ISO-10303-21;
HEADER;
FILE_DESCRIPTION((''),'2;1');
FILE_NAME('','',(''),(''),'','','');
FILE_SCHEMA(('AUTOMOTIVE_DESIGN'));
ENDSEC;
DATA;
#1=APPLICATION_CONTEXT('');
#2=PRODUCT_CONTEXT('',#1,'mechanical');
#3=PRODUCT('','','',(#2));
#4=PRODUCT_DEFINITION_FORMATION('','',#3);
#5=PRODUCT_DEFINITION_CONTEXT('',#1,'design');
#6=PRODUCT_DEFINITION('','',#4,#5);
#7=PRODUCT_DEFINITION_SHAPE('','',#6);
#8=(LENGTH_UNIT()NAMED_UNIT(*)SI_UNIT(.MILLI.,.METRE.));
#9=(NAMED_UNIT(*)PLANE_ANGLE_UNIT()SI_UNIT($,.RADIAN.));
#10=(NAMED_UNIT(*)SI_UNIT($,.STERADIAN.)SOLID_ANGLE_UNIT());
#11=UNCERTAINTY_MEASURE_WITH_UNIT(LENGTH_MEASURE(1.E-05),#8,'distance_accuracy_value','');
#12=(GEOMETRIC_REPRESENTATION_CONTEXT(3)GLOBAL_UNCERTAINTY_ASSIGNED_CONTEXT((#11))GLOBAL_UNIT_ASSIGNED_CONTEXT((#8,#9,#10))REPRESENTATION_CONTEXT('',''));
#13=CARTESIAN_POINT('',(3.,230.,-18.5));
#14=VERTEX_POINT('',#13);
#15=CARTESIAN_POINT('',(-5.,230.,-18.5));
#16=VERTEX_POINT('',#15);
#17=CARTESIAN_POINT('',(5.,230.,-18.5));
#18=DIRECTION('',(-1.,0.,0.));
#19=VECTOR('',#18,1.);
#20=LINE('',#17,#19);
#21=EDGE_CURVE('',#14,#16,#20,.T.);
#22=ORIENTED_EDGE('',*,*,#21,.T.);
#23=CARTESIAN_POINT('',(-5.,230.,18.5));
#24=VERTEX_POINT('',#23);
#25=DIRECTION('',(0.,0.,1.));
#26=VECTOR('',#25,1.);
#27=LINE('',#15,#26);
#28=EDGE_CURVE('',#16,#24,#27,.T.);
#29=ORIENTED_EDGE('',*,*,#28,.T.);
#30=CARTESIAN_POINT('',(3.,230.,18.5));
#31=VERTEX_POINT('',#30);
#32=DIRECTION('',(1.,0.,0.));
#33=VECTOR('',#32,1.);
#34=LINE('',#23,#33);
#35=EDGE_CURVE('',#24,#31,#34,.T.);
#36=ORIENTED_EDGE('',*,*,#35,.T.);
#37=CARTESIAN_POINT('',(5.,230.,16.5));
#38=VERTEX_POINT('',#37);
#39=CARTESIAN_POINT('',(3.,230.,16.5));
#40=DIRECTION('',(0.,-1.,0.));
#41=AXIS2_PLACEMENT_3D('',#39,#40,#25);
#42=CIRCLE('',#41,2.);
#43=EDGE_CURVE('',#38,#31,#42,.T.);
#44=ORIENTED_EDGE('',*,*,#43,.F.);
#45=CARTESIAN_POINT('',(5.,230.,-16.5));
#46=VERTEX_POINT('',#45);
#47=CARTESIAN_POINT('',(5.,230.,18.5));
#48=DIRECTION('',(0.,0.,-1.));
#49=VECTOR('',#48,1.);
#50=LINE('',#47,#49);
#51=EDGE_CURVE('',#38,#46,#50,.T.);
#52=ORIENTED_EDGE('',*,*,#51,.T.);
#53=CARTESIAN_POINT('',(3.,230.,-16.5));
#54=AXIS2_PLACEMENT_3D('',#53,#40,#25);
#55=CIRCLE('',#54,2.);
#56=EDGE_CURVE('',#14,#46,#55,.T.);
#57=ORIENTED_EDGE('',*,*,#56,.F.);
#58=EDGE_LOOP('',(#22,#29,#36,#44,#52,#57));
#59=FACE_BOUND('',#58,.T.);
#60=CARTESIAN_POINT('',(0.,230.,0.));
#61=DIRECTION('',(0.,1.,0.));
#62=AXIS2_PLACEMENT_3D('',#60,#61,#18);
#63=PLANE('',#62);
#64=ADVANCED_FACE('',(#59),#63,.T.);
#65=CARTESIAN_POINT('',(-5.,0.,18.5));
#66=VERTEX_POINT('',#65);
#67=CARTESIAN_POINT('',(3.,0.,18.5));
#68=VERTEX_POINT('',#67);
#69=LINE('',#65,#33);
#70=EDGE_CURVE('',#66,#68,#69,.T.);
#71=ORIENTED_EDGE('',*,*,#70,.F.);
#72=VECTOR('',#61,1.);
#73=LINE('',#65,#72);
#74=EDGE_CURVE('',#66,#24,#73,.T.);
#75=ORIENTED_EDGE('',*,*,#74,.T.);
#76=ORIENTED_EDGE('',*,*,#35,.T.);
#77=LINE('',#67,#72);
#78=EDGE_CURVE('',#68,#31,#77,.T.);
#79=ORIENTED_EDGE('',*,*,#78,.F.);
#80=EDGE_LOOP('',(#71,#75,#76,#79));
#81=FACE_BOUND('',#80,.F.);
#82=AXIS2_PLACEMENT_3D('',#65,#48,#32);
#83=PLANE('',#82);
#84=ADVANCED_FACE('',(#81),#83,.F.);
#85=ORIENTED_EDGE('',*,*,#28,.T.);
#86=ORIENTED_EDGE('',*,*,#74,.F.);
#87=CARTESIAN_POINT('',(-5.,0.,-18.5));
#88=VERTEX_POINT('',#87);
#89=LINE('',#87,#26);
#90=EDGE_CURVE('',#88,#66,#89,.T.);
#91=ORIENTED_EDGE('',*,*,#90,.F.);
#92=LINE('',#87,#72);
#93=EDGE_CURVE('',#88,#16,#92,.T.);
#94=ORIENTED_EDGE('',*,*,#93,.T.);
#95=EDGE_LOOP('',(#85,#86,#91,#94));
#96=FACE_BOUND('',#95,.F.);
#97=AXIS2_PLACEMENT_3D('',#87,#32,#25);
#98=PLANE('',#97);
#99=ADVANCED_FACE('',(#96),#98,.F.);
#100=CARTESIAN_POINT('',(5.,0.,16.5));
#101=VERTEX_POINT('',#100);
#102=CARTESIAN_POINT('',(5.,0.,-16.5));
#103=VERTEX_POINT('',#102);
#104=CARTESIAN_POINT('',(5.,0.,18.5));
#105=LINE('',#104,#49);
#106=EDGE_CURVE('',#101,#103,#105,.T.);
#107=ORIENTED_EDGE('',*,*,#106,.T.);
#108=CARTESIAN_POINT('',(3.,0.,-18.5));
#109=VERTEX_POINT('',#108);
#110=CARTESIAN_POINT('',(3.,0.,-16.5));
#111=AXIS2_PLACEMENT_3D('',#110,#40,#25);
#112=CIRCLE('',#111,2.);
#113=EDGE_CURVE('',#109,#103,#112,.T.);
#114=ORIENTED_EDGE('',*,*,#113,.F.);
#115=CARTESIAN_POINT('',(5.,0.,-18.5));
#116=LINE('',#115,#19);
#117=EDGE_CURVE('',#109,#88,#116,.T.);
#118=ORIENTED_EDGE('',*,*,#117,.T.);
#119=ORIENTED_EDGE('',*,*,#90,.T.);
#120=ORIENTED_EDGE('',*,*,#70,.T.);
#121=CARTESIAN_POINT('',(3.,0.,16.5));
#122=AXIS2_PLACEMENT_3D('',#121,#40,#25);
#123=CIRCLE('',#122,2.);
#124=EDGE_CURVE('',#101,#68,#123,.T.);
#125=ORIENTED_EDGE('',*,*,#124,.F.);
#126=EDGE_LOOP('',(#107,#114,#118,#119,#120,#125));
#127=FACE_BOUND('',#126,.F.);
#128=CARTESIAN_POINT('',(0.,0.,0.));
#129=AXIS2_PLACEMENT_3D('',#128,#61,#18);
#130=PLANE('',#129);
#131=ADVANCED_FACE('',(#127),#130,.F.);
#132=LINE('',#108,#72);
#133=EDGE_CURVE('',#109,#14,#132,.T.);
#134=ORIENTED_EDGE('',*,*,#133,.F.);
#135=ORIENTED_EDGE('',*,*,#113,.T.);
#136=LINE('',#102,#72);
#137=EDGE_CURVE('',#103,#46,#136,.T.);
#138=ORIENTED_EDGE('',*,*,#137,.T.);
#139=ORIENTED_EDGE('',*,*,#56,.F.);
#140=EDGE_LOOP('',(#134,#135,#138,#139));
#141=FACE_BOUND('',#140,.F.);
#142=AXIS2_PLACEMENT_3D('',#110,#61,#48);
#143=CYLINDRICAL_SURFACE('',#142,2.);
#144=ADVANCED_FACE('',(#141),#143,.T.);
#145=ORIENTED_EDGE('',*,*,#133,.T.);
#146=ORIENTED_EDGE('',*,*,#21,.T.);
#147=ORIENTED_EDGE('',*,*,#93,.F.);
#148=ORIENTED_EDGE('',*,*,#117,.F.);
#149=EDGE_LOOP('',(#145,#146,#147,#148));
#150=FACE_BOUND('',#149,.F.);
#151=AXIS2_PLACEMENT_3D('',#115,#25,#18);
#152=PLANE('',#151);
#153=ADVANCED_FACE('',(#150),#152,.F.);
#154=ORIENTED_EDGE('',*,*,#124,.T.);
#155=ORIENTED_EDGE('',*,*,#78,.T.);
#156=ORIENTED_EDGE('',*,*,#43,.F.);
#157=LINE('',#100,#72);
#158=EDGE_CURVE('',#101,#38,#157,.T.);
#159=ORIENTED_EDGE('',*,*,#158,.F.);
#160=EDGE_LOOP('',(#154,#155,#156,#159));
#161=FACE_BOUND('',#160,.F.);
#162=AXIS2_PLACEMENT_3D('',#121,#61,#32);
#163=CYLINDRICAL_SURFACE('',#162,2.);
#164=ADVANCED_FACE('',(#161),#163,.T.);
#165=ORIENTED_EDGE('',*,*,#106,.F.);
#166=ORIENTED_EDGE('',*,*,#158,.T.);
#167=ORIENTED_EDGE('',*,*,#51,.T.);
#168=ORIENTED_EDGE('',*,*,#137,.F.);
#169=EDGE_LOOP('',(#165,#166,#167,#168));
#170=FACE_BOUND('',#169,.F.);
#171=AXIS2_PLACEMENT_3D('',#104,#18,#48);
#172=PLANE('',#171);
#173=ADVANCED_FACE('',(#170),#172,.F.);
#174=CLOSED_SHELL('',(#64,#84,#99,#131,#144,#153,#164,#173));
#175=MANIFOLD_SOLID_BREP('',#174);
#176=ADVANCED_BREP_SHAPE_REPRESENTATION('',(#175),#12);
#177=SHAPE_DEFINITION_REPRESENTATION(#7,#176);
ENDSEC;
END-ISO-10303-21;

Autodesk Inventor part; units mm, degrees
ref_plane "YZ Plane" through (0, 0, 0) normal (1, 0, 0) x (0, 1, 0)
ref_plane "XZ Plane" through (0, 0, 0) normal (0, 1, 0) x (-1, 0, 0)
ref_plane "XY Plane" through (0, 0, 0) normal (0, 0, 1) x (1, 0, 0)
sketch "Эскиз1" plane through (0, 0, 0) normal (0, 1, 0) x (-1, 0, 0)
  line L0 (5, 18.5) -> (-5, 18.5)
  line L1 (-5, 18.5) -> (-5, -18.5)
  line L2 (-5, -18.5) -> (5, -18.5)
  line L3 (5, -18.5) -> (5, 18.5)
  line L4 (5, 18.5) -> (-5, -18.5) construction
  line L5 (-5, 18.5) -> (5, -18.5) construction
  point P0 (0, 0)
  dimension "d0" = 10
  dimension "d1" = 37
extrude "Выдавливание1" add sketch "Эскиз1" along normal blind 230
fillet "Сопряжение1" radius 2 2 edges at (5, 115, 18.5) (5, 115, -18.5)
properties part number "канал_проводов"
